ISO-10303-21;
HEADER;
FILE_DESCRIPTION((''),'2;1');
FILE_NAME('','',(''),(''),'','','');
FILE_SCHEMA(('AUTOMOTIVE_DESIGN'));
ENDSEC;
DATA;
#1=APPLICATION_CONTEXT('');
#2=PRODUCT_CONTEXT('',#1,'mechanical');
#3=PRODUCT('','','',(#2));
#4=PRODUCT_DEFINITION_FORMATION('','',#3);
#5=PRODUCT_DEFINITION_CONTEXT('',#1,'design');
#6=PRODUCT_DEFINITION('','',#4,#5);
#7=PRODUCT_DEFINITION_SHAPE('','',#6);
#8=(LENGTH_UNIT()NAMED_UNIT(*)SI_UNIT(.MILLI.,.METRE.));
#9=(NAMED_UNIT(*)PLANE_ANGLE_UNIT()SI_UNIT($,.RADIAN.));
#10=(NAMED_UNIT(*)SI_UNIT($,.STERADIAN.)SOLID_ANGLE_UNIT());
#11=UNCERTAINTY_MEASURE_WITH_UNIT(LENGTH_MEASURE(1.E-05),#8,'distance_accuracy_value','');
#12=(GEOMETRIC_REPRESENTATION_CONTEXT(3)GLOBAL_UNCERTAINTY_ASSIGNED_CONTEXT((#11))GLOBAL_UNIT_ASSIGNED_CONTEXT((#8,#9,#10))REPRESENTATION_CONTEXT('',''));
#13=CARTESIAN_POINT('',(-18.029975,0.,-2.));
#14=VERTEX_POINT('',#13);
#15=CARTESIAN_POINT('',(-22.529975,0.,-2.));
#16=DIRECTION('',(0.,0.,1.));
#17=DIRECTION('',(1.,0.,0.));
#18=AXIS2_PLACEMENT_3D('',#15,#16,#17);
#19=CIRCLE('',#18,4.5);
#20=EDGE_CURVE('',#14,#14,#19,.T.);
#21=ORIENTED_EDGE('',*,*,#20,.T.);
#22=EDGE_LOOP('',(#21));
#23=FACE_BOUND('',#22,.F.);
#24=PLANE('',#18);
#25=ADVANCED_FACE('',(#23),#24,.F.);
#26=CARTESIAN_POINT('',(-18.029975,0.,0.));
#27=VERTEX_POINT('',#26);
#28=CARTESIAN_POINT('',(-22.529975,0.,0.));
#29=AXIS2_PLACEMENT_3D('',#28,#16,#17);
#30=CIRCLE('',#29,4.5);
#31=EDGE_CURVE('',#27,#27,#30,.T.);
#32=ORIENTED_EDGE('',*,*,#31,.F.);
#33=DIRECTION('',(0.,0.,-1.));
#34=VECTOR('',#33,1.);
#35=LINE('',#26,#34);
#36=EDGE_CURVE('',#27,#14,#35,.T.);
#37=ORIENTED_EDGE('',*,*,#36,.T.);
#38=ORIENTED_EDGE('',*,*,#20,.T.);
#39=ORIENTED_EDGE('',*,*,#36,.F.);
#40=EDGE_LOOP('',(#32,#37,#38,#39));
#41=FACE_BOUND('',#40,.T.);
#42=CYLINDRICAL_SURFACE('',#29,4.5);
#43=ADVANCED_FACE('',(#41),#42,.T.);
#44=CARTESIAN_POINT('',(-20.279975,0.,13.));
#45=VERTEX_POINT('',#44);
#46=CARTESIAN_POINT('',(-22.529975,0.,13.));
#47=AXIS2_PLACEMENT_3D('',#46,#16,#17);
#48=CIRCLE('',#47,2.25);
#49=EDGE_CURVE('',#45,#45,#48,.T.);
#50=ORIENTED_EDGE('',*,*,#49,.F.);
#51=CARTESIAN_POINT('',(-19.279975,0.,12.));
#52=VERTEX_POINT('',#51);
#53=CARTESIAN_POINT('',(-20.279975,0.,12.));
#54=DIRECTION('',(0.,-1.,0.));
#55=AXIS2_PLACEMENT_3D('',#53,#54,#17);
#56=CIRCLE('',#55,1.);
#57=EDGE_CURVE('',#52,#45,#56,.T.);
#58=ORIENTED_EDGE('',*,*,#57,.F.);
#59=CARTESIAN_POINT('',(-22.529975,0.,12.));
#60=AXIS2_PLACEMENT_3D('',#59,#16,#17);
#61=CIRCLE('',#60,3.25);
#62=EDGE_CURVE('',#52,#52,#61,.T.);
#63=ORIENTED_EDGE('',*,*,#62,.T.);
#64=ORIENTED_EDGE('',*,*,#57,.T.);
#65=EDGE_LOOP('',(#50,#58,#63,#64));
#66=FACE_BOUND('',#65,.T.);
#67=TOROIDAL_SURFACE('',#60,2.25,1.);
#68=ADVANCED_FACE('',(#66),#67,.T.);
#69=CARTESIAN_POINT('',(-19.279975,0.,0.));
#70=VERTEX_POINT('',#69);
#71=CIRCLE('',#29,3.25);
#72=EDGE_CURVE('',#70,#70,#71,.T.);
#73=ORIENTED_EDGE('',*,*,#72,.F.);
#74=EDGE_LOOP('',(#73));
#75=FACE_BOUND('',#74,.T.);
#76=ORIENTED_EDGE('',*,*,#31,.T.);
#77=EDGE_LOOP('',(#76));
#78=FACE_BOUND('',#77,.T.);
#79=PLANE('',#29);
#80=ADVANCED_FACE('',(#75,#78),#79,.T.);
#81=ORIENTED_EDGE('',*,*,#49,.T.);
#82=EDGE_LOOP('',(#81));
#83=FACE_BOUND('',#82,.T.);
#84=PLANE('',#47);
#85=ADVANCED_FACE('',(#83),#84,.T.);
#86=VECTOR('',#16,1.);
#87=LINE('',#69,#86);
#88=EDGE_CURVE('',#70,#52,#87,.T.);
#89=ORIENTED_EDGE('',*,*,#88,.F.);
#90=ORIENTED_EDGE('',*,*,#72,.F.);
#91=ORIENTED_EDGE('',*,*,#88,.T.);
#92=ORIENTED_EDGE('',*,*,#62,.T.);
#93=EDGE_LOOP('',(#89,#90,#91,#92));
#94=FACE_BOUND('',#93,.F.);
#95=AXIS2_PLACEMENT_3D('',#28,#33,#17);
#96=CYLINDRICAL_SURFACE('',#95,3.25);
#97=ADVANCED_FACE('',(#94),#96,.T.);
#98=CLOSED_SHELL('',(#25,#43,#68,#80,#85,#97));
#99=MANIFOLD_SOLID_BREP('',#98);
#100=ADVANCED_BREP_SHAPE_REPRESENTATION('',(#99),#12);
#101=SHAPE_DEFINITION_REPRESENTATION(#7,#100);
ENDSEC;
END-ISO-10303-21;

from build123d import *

# Parameters (mm, degrees)
F0_R     = 3.25
F1_DEPTH = 13
F0_R_2   = 4.5
F2_DEPTH = 2
F3_R     = 1


with BuildPart() as f1:
    # F0 (on Top) → F1 (new body)
    with BuildSketch(Plane.XY):
        with Locations((-22.529975, 0)):
            Circle(F0_R)
    extrude(amount=F1_DEPTH)

    # F0 (on Top) → F2 (join)
    with BuildSketch(Plane.XY):
        with Locations((-22.529975, 0)):
            Circle(F0_R_2)
        with Locations((-22.529975, 0)):
            Circle(F0_R, mode=Mode.SUBTRACT)
        with Locations((-22.529975, 0)):
            Circle(F0_R)
    extrude(amount=-F2_DEPTH)

    # F3
    f3_edges = [f1.edges().sort_by_distance(p)[0] for p in [
        (-25.779975, 0, 13),
    ]]
    fillet(f3_edges, radius=F3_R)


solid = f1.part
